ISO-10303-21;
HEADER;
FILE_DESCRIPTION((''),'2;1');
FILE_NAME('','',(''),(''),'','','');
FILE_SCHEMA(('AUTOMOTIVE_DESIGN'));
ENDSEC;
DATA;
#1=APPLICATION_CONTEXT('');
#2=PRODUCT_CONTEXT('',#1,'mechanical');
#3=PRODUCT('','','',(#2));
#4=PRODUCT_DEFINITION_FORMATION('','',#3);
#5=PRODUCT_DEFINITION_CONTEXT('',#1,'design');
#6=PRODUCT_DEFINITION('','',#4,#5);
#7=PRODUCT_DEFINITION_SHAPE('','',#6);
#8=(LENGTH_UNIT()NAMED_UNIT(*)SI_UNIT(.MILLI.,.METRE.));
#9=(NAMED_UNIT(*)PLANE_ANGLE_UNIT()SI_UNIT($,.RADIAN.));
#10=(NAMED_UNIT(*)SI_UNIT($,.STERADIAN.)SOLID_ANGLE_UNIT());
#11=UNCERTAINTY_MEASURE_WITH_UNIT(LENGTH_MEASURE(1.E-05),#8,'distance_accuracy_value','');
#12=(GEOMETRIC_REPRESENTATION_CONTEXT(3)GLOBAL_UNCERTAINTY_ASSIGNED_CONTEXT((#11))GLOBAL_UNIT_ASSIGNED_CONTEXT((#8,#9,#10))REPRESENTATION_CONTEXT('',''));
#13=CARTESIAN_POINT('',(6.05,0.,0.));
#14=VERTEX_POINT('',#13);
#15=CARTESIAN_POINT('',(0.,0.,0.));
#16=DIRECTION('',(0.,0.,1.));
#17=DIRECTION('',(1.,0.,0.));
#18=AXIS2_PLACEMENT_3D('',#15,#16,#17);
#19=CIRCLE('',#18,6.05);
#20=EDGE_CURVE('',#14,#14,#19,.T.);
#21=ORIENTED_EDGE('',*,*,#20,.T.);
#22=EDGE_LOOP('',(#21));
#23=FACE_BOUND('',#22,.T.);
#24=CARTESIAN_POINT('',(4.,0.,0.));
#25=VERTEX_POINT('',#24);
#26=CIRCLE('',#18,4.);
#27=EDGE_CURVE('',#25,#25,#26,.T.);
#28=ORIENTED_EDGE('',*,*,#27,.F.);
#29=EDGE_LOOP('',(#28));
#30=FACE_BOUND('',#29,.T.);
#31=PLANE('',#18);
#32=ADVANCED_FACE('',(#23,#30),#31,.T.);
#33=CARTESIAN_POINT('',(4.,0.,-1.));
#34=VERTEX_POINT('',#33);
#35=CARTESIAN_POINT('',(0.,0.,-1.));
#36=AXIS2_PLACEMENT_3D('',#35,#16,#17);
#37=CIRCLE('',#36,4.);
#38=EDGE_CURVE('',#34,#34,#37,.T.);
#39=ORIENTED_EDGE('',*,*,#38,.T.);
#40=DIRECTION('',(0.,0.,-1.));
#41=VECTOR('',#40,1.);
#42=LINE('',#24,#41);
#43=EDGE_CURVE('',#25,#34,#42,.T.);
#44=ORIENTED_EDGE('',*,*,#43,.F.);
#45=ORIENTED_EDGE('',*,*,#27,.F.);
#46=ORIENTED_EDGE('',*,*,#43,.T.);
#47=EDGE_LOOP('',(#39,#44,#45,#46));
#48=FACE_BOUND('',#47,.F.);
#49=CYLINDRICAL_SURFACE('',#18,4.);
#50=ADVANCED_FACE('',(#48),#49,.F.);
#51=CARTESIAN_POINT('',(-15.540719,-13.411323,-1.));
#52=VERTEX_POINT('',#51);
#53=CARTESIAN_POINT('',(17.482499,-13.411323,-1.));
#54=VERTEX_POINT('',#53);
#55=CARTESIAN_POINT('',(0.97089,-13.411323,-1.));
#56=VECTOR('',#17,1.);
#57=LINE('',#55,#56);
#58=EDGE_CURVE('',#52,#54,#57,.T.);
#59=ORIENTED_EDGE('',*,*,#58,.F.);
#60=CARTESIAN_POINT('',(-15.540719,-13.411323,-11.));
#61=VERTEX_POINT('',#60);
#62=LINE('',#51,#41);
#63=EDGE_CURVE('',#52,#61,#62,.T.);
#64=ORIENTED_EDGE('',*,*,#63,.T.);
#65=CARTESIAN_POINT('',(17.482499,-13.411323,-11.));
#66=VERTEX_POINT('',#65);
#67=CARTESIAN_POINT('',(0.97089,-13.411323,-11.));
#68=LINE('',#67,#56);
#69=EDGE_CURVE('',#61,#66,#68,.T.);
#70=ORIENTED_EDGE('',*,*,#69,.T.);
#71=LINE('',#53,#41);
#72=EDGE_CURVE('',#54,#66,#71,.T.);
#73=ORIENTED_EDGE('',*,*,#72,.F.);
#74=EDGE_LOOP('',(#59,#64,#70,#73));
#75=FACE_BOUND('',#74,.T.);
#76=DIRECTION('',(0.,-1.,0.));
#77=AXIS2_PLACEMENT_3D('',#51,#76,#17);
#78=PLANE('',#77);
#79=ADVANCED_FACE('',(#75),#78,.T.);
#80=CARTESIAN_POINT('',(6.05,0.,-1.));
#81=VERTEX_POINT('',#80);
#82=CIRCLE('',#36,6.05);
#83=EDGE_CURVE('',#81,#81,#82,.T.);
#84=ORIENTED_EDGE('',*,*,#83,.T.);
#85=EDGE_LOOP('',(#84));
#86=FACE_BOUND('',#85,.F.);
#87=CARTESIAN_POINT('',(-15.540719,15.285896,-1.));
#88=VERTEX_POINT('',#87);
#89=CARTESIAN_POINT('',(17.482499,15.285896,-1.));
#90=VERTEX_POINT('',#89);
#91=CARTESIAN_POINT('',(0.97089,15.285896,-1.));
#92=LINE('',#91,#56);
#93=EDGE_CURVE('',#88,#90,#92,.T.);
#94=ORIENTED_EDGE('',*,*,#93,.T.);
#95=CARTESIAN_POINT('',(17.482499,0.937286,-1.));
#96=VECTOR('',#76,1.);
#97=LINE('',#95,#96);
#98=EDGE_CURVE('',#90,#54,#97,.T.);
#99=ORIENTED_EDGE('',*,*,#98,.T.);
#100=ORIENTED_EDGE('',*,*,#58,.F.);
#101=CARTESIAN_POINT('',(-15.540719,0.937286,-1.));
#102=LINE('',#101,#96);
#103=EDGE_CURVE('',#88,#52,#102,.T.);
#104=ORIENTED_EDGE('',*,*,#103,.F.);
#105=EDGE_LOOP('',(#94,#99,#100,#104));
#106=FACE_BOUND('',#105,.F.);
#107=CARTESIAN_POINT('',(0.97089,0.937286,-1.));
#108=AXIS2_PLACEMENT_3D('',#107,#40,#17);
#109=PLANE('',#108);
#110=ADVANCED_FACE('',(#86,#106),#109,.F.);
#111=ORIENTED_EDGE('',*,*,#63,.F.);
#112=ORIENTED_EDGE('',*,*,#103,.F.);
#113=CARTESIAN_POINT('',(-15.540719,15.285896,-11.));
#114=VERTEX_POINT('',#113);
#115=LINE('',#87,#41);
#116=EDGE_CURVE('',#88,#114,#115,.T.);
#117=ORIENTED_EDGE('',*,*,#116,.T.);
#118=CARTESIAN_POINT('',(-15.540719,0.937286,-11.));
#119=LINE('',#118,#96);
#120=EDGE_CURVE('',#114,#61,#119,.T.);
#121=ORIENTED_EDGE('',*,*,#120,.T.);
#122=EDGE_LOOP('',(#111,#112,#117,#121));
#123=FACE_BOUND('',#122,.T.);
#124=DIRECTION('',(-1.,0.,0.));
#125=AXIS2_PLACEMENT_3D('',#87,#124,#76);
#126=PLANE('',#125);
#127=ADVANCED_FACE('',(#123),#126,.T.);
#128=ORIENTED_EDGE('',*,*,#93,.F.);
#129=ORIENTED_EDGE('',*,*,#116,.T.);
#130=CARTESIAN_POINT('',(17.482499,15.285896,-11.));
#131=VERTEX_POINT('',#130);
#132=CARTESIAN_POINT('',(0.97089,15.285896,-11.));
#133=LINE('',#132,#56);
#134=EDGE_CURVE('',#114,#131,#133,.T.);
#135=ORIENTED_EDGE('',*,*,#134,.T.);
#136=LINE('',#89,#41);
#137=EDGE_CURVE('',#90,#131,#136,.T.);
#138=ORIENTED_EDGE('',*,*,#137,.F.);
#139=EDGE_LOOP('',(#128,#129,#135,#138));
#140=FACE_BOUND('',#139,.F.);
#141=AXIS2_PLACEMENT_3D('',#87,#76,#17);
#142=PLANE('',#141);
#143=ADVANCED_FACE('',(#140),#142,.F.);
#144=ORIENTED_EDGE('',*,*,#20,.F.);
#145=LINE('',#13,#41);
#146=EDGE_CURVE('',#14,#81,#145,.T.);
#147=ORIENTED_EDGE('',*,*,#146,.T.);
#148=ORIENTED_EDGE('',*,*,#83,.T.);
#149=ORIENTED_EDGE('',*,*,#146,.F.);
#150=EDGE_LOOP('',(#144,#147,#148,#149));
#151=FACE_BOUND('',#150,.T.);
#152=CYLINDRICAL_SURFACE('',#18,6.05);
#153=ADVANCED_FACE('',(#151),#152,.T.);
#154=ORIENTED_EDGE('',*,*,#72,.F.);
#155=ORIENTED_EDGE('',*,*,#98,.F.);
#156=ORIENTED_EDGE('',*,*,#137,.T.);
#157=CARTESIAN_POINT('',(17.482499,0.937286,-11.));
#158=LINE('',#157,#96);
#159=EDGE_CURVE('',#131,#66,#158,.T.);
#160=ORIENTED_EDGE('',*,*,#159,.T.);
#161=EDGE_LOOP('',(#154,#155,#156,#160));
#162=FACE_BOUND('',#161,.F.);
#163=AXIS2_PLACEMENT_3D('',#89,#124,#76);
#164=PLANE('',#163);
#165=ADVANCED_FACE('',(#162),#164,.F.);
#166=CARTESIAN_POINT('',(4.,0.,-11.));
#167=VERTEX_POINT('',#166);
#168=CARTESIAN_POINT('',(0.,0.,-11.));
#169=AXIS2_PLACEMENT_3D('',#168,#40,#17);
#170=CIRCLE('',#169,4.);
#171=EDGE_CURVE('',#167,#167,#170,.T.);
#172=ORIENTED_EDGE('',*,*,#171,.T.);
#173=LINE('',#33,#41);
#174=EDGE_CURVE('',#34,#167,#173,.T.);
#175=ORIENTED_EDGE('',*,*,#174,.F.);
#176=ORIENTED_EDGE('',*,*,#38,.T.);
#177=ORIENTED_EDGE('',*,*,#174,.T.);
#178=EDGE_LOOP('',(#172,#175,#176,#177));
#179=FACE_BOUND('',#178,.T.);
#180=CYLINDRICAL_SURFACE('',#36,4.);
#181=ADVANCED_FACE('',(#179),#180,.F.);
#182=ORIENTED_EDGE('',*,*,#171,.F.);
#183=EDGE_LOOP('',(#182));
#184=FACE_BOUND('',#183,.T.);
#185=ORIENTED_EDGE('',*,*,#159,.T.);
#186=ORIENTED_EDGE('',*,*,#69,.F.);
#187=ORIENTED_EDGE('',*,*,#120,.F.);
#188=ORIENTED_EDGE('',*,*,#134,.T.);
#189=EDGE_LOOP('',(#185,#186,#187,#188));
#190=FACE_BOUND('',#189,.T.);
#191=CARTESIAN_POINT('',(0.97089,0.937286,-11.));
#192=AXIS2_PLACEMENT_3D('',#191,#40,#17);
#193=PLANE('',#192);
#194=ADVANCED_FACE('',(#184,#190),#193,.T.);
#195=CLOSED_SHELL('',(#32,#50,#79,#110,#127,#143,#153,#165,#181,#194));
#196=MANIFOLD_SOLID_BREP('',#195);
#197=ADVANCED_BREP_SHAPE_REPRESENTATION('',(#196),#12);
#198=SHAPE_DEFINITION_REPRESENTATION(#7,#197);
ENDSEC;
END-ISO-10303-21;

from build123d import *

# Parameters (mm, degrees)
F0_R     = 6.05
F0_R_2   = 4
F1_DEPTH = 1
F2_W     = 33.023218
F2_H     = 28.697219
F2_R     = 4
F3_DEPTH = 10


with BuildPart() as f1:
    # F0 (on Top) → F1 (new body)
    with BuildSketch(Plane.XY):
        Circle(F0_R)
        Circle(F0_R_2, mode=Mode.SUBTRACT)
    extrude(amount=-F1_DEPTH)

    # F2 (on face) → F3 (join)
    with BuildSketch(Plane(origin=(0, 0, -1), x_dir=(1, 0, 0), z_dir=(0, 0, -1))):
        with Locations((0.97089, -0.937286)):
            Rectangle(F2_W, F2_H)
        Circle(F2_R, mode=Mode.SUBTRACT)
    extrude(amount=F3_DEPTH)


solid = f1.part
